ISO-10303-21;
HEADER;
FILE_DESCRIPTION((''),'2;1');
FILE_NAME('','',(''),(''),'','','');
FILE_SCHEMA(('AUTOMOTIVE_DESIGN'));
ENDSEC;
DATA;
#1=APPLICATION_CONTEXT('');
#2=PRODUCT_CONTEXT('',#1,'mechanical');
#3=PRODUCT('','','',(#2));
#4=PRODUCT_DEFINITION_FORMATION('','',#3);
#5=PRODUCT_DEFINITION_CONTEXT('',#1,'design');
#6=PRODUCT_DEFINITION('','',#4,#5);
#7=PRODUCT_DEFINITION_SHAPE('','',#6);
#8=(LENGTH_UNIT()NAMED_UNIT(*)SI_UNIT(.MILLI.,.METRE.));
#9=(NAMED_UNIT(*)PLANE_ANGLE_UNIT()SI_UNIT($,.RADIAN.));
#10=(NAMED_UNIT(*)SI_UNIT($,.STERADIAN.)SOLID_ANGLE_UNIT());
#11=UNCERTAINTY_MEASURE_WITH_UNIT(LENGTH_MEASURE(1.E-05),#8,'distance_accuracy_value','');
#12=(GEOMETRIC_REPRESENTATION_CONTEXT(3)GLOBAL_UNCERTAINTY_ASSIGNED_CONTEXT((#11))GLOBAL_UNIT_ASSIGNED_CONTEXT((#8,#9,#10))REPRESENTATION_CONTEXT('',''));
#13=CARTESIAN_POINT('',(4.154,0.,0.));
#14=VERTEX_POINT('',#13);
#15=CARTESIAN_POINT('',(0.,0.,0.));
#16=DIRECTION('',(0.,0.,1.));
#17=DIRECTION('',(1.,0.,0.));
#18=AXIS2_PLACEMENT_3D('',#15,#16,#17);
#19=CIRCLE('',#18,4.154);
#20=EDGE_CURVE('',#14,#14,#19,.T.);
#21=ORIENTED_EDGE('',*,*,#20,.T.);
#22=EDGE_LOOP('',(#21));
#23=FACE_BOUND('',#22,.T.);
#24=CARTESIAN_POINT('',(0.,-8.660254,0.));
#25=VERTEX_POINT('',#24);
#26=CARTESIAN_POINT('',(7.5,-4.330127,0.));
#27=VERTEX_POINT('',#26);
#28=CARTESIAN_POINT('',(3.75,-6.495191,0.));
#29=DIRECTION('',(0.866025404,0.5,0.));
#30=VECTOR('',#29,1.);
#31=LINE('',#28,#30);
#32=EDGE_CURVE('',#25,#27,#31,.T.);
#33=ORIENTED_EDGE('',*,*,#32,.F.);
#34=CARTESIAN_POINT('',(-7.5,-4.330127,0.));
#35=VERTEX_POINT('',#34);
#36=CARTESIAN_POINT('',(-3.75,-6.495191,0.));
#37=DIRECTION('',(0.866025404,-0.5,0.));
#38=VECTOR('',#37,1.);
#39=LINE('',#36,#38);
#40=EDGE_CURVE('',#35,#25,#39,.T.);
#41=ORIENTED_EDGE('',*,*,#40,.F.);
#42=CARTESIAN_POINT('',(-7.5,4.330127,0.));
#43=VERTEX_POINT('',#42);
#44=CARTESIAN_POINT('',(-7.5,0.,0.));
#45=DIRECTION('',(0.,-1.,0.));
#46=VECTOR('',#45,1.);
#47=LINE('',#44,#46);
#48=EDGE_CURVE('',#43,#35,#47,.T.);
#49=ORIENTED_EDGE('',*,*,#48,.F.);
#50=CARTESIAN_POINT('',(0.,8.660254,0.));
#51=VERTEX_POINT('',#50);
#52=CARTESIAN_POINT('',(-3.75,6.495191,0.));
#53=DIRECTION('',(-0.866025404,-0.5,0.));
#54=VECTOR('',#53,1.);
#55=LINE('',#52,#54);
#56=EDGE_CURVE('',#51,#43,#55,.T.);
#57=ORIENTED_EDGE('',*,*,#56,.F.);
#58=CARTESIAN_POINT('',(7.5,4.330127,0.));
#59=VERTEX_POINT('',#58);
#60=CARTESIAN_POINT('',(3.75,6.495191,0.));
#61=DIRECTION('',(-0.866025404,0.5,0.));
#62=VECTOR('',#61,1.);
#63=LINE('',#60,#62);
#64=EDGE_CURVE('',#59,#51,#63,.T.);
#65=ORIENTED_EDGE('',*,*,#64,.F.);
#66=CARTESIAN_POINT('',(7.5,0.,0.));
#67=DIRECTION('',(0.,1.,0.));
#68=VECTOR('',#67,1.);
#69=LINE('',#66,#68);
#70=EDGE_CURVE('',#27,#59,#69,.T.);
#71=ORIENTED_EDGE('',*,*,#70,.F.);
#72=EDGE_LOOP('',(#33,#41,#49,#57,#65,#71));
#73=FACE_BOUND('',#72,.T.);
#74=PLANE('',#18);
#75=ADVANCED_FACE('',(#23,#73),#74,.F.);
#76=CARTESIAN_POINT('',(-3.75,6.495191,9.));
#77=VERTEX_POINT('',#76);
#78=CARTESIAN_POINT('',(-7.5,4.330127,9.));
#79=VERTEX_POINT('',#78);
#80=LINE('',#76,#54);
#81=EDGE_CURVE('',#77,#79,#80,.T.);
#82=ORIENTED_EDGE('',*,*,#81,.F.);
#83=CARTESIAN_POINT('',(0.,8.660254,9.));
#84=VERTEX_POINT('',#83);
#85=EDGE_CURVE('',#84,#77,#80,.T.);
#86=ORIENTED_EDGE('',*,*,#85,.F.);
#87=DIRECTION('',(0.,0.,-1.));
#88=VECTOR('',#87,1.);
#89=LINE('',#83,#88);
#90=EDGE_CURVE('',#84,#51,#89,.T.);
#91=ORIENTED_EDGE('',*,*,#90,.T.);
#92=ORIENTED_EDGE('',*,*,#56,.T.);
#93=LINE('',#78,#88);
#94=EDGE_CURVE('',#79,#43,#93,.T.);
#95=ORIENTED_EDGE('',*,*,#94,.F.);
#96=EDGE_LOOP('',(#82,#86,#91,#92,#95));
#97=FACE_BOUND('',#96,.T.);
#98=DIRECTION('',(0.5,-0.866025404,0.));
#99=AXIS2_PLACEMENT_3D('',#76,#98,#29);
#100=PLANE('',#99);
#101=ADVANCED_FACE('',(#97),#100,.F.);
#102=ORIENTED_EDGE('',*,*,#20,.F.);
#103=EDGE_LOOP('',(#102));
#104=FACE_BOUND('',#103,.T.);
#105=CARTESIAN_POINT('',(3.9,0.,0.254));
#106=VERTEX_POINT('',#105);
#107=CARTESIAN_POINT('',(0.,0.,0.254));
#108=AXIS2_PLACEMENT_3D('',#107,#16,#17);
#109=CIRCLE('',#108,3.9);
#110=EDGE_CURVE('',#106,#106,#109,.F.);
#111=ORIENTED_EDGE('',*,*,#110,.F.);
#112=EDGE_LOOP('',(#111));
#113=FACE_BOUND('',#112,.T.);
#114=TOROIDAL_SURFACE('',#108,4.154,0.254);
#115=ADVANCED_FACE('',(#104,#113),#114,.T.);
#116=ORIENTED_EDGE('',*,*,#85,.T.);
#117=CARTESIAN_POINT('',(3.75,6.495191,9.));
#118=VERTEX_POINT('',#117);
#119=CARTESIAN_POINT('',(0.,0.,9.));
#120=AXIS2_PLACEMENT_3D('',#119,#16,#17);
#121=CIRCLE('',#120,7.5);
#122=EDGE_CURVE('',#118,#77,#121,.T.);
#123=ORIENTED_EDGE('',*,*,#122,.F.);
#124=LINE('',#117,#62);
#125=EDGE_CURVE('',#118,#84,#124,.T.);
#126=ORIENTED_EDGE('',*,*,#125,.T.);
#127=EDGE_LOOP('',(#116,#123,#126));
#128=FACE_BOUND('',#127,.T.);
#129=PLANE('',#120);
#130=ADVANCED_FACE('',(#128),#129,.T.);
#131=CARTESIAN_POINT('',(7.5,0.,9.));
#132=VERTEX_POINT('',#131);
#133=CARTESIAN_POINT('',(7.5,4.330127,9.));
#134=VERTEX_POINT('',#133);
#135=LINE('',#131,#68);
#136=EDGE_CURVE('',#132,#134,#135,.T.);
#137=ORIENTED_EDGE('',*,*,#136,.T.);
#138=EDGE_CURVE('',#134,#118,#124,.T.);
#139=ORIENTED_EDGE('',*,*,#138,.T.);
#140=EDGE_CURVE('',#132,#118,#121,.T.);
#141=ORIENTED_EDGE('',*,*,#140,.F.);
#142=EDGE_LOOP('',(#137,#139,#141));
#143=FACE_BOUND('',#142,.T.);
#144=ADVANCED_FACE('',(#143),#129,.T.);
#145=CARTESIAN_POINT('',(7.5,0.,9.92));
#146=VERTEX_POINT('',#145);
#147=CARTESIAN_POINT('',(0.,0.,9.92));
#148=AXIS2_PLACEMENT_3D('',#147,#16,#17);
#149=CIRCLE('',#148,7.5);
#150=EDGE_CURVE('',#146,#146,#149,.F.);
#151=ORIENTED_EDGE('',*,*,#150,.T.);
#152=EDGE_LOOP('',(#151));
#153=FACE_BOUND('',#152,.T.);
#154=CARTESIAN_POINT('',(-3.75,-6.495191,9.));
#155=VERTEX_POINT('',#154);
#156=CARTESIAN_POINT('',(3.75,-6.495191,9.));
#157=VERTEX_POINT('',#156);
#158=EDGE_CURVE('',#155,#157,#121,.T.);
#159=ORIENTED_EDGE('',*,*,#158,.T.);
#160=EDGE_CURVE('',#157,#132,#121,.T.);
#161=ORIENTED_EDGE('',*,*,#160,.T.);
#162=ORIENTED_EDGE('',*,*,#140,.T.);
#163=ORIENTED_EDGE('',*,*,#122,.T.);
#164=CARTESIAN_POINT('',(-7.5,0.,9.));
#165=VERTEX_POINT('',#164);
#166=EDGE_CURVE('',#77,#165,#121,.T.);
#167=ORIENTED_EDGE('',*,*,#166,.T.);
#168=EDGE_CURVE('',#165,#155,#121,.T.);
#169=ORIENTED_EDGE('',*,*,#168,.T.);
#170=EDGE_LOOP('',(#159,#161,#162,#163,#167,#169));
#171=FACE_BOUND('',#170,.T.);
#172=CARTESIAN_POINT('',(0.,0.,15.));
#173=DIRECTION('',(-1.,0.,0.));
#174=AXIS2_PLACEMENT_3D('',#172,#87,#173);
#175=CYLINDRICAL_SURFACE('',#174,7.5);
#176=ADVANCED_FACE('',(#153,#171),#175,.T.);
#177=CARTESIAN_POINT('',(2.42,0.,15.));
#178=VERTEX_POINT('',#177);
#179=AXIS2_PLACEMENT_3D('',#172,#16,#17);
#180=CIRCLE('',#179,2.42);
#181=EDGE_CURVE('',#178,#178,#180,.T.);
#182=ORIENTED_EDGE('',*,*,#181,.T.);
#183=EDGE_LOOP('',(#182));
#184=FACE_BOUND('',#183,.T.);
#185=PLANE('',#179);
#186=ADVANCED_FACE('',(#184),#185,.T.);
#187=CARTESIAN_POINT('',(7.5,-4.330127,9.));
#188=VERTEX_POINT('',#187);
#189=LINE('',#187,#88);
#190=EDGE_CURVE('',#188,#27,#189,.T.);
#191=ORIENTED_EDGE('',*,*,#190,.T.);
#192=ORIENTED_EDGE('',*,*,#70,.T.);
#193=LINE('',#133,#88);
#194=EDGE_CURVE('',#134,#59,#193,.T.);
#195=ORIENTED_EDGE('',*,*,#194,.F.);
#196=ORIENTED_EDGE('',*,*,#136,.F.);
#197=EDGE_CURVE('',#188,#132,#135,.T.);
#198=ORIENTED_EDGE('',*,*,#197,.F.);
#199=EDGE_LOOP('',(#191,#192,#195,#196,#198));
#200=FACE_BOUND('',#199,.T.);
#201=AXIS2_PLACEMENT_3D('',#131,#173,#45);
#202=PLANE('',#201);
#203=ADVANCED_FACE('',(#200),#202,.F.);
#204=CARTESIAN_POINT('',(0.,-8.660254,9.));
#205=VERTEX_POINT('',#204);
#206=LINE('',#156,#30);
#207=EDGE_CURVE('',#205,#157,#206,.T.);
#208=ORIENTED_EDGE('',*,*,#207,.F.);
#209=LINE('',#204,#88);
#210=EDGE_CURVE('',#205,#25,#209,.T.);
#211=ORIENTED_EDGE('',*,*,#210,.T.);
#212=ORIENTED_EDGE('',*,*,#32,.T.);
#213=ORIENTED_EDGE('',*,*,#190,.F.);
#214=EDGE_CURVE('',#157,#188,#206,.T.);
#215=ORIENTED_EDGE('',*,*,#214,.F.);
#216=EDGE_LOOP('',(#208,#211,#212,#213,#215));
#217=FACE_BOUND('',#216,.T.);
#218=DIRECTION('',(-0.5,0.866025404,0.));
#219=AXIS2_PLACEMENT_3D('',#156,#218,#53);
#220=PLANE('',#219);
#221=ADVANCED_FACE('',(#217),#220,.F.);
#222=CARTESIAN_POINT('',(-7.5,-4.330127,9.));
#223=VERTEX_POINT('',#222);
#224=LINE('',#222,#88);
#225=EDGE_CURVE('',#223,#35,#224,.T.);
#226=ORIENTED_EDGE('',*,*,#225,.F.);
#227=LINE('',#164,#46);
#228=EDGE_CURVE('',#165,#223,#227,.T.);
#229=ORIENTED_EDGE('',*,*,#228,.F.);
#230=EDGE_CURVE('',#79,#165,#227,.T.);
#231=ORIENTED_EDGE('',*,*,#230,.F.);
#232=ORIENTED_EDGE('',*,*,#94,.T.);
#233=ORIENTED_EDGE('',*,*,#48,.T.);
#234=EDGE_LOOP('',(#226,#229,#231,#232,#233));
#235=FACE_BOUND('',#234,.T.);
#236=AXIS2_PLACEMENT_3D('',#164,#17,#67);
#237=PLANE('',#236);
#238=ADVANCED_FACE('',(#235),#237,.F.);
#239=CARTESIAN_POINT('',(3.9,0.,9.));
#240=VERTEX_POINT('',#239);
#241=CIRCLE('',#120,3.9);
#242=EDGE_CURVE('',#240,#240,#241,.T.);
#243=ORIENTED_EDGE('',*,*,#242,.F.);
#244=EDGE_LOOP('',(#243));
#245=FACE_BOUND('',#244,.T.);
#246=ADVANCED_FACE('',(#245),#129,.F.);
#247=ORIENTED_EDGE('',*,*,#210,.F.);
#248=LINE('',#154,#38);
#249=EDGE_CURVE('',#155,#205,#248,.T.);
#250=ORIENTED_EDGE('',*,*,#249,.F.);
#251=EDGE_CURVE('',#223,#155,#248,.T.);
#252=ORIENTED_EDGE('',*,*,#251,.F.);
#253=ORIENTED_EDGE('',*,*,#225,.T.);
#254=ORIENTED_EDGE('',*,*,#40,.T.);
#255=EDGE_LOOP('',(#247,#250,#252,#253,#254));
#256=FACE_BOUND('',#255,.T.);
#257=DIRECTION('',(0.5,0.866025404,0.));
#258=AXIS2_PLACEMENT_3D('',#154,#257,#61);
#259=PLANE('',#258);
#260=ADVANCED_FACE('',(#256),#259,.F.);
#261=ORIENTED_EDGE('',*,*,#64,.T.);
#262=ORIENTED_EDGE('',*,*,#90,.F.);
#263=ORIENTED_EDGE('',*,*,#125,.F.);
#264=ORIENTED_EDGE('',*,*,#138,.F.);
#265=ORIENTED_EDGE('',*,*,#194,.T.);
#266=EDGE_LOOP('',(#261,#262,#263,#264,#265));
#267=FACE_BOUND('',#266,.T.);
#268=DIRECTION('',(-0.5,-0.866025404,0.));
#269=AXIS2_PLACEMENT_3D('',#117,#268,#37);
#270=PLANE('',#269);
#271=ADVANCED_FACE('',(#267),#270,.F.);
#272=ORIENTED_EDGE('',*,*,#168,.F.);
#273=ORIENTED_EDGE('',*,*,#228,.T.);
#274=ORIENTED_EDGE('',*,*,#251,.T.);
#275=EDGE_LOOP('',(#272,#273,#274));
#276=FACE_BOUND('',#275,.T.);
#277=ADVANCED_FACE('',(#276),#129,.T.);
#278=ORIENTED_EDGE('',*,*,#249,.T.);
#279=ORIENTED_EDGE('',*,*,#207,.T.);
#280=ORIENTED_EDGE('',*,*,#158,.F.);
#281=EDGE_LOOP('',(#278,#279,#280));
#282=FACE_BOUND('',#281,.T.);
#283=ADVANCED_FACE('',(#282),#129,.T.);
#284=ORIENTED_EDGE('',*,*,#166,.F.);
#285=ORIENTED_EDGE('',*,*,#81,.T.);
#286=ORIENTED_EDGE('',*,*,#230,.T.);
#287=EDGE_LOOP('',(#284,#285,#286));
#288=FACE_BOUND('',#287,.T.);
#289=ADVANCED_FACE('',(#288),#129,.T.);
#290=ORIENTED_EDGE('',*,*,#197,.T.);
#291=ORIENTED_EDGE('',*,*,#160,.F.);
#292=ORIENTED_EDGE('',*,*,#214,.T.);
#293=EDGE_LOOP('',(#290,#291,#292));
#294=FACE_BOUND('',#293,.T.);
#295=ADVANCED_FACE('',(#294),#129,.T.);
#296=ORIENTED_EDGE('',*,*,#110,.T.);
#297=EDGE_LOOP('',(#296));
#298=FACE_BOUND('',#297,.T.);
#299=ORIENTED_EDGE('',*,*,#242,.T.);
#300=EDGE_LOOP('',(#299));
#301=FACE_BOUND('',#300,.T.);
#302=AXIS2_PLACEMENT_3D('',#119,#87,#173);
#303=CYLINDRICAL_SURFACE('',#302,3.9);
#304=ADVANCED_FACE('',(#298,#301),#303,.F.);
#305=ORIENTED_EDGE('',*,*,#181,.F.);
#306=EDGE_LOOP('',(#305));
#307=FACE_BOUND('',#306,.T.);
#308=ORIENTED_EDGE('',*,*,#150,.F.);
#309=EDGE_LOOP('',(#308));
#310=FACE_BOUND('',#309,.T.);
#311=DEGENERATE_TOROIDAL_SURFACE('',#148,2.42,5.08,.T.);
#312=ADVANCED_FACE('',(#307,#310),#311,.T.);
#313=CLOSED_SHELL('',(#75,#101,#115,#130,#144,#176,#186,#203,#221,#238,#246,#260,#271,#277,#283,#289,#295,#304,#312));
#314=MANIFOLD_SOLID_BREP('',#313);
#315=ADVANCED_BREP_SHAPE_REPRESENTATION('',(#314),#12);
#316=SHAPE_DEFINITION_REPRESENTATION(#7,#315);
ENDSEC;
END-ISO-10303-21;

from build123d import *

# Parameters (mm, degrees)
SKETCH1_R           = 7.5
SKETCH1_R_2         = 3.9
BOSS_EXTRUDE1_DEPTH = 9
SKETCH2_R           = 7.5
BOSS_EXTRUDE2_DEPTH = 6
FILLET1_R           = 5.08
FILLET2_R           = 0.254


with BuildPart() as part:
    # Sketch1 → Boss-Extrude1 (new body)
    # profile 1 of 7: a face of its own
    with BuildSketch(Plane(origin=(0, 0, 0), x_dir=(0, 1, 0), z_dir=(0, 0, 1))):
        with BuildLine():
            ThreePointArc((-6.495190512, 3.750000029), (-3.749999976, 6.495190542), (2.2e-08, 7.5))
            Line((2.2e-08, 7.5), (-4.330127019, 7.5))
            Line((-4.330127019, 7.5), (-6.495190512, 3.750000029))
        make_face()
    # profile 2 of 7: a face of its own
    with BuildSketch(Plane(origin=(0, 0, 0), x_dir=(0, 1, 0), z_dir=(0, 0, 1))):
        Circle(SKETCH1_R)
        with Locations(Location((0, 0, 0), (0, 0, 270))):
            Circle(SKETCH1_R_2, mode=Mode.SUBTRACT)
    # profile 3 of 7: a face of its own
    with BuildSketch(Plane(origin=(0, 0, 0), x_dir=(0, 1, 0), z_dir=(0, 0, 1))):
        with BuildLine():
            ThreePointArc((2.2e-08, 7.5), (3.749999991, 6.495190533), (6.495190507, 3.750000037))
            Line((6.495190507, 3.750000037), (4.330127019, 7.5))
            Line((4.330127019, 7.5), (2.2e-08, 7.5))
        make_face()
    # profile 4 of 7: a face of its own
    with BuildSketch(Plane(origin=(0, 0, 0), x_dir=(0, 1, 0), z_dir=(0, 0, 1))):
        with BuildLine():
            ThreePointArc((-6.495190559, -3.749999947), (-7.5, 4.7e-08), (-6.495190512, 3.750000029))
            Line((-6.495190512, 3.750000029), (-8.660254038, 0))
            Line((-8.660254038, 0), (-6.495190559, -3.749999947))
        make_face()
    # profile 5 of 7: a face of its own
    with BuildSketch(Plane(origin=(0, 0, 0), x_dir=(0, 1, 0), z_dir=(0, 0, 1))):
        with BuildLine():
            Line((6.49519047, -3.750000102), (8.660254038, 0))
            Line((8.660254038, 0), (6.495190507, 3.750000037))
            ThreePointArc((6.495190507, 3.750000037), (7.244443692, 1.941142859), (7.5, 0))
            ThreePointArc((7.5, 0), (7.244443682, -1.941142895), (6.49519047, -3.750000102))
        make_face()
    # profile 6 of 7: a face of its own
    with BuildSketch(Plane(origin=(0, 0, 0), x_dir=(0, 1, 0), z_dir=(0, 0, 1))):
        with BuildLine():
            Line((4.330127019, -7.5), (6.49519047, -3.750000102))
            ThreePointArc((6.49519047, -3.750000102), (3.749999939, -6.495190564), (-2.3e-08, -7.5))
            Line((-2.3e-08, -7.5), (4.330127019, -7.5))
        make_face()
    # profile 7 of 7: a face of its own
    with BuildSketch(Plane(origin=(0, 0, 0), x_dir=(0, 1, 0), z_dir=(0, 0, 1))):
        with BuildLine():
            Line((-4.330127019, -7.5), (-2.3e-08, -7.5))
            ThreePointArc((-2.3e-08, -7.5), (-3.750000037, -6.495190507), (-6.495190559, -3.749999947))
            Line((-6.495190559, -3.749999947), (-4.330127019, -7.5))
        make_face()
    extrude(amount=BOSS_EXTRUDE1_DEPTH)

    # Sketch2 → Boss-Extrude2 (add)
    with BuildSketch(Plane.XY.offset(9)):
        Circle(SKETCH2_R)
    extrude(amount=BOSS_EXTRUDE2_DEPTH)

    # Fillet1
    fillet1_edges = [part.edges().sort_by_distance(p)[0] for p in [
        (-7.5, 0, 15),
    ]]
    fillet(fillet1_edges, radius=FILLET1_R)

    # Fillet2
    fillet2_edges = [part.edges().sort_by_distance(p)[0] for p in [
        (-3.9, 0, 0),
    ]]
    fillet(fillet2_edges, radius=FILLET2_R)


solid = part.part
